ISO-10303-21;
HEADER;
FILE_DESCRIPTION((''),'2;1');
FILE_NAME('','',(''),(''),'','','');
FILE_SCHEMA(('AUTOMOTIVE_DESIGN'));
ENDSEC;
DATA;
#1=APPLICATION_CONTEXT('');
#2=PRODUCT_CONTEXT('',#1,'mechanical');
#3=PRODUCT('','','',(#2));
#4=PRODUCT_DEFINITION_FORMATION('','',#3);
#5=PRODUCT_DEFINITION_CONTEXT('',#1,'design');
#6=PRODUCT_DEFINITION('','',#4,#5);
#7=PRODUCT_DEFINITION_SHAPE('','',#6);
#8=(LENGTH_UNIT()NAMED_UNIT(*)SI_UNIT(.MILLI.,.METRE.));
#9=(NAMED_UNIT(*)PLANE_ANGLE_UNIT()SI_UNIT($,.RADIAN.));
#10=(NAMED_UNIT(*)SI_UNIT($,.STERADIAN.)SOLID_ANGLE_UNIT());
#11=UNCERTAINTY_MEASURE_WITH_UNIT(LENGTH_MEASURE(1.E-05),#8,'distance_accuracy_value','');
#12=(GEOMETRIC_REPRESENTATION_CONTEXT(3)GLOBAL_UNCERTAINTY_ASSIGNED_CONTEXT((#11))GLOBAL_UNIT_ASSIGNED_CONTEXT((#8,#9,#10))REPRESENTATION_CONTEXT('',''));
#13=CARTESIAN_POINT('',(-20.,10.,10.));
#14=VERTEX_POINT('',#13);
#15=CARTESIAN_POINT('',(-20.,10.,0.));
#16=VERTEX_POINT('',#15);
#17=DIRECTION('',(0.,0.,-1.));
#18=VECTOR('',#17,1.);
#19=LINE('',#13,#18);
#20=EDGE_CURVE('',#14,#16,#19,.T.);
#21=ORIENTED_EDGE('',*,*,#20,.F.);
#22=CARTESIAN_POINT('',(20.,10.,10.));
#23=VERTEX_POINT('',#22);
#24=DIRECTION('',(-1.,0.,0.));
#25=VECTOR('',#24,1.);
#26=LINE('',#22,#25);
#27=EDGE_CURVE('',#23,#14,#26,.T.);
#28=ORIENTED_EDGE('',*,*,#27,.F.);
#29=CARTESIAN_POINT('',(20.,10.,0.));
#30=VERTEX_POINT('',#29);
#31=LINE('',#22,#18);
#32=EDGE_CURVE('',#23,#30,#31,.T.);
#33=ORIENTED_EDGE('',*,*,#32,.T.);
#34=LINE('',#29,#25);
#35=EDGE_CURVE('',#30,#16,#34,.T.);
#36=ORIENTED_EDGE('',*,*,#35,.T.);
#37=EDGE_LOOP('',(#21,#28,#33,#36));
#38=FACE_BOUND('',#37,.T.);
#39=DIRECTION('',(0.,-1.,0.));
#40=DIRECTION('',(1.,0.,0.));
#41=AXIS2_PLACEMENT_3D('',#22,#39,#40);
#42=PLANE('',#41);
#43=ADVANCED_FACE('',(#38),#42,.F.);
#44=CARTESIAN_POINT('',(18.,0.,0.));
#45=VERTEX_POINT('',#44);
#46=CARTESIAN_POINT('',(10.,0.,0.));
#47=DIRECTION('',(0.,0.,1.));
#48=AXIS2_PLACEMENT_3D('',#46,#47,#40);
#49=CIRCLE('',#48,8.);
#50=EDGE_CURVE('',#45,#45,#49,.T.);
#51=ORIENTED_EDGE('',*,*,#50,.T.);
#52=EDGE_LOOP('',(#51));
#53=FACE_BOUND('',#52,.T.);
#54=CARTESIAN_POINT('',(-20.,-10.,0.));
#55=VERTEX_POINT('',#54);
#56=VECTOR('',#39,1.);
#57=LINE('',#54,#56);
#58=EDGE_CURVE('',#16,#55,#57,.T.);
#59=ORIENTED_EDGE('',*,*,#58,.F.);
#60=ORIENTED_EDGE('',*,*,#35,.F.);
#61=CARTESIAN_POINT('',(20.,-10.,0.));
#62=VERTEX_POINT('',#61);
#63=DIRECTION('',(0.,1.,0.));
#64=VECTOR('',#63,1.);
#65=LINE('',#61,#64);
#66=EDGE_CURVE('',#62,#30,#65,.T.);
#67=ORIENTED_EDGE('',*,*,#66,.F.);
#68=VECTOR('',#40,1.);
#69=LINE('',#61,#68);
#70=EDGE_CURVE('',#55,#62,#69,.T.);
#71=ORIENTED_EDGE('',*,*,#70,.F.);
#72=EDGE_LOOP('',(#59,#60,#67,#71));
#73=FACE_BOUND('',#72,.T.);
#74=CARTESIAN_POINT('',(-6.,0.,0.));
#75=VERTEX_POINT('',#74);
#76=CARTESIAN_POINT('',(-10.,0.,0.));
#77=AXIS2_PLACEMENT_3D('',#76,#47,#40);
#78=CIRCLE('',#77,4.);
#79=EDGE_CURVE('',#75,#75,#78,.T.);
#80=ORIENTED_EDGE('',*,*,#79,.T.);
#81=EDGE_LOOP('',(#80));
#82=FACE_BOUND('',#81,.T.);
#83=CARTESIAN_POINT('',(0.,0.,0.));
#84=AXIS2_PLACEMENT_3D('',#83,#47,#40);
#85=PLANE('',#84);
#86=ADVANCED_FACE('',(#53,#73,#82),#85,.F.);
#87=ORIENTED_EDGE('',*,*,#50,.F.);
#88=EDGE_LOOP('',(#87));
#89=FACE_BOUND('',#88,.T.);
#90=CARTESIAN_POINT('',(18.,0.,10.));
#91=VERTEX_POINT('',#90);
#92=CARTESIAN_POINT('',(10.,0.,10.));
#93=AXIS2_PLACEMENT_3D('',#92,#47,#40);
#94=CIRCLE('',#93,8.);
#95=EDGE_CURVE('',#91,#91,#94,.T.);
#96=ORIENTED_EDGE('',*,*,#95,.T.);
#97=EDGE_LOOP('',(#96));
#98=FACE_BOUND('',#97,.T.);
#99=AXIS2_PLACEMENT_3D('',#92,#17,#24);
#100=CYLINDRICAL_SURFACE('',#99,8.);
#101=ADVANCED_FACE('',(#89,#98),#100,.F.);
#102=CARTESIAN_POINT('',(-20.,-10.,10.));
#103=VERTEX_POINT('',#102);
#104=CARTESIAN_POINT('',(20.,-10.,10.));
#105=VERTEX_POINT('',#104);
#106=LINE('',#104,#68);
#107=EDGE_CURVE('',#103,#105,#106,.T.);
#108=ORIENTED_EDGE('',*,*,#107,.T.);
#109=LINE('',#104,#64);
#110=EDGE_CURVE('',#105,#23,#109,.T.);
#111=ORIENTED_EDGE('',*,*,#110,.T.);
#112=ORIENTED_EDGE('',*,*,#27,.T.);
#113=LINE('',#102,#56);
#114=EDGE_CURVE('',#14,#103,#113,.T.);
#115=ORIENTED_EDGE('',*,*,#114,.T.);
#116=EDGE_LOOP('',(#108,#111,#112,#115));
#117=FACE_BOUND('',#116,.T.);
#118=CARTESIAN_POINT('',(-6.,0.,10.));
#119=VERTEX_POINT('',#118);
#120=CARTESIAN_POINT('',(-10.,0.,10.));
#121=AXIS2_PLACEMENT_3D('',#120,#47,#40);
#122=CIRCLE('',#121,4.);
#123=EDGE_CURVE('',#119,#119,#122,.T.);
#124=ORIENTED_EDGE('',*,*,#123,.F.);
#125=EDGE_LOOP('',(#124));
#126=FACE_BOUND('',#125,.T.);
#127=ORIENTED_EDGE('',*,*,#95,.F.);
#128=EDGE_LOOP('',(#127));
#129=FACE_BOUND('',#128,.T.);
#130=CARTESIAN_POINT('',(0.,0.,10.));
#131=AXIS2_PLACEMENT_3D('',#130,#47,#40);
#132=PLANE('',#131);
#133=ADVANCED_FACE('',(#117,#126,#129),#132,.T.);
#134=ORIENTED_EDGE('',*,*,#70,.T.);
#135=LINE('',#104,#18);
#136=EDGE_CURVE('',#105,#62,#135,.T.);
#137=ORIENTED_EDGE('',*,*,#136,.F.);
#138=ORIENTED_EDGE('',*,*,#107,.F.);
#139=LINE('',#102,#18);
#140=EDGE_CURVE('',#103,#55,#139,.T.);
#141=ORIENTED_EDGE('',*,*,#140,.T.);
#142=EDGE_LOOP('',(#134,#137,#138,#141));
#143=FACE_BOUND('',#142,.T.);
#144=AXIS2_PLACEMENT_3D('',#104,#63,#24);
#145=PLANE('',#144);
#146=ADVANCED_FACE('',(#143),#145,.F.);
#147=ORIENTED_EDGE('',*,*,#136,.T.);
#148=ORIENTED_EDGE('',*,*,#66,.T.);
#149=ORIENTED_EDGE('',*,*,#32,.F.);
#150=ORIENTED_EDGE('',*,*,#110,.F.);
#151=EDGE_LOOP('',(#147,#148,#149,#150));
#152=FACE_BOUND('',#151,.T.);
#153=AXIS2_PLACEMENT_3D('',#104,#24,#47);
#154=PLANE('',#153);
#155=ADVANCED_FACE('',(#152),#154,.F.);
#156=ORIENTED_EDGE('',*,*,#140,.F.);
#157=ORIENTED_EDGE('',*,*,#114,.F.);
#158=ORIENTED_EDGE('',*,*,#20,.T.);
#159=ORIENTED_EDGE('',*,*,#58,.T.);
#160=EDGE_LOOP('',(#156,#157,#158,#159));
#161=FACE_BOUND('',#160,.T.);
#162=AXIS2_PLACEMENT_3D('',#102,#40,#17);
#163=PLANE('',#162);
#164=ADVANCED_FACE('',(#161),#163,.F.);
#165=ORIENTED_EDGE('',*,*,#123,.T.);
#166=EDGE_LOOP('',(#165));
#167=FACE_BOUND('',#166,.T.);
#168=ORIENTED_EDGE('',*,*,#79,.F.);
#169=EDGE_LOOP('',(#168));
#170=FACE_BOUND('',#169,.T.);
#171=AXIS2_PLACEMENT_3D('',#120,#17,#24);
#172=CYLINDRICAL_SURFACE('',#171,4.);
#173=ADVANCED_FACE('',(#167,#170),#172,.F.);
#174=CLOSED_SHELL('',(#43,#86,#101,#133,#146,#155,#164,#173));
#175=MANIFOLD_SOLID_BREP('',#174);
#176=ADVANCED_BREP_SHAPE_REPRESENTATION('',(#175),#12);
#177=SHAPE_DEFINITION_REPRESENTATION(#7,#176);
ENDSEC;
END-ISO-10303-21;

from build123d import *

# Parameters (mm, degrees)
ESQUISSE1_W        = 40
ESQUISSE1_H        = 20
ESQUISSE1_R        = 4
ESQUISSE1_R_2      = 8
BOSS_EXTRU_1_DEPTH = 10


with BuildPart() as part:
    # Esquisse1 → Boss.-Extru.1 (new body)
    with BuildSketch(Plane.XY):
        Rectangle(ESQUISSE1_W, ESQUISSE1_H)
        with Locations((-10, 0)):
            Circle(ESQUISSE1_R, mode=Mode.SUBTRACT)
        with Locations((10, 0)):
            Circle(ESQUISSE1_R_2, mode=Mode.SUBTRACT)
    extrude(amount=BOSS_EXTRU_1_DEPTH)


solid = part.part
